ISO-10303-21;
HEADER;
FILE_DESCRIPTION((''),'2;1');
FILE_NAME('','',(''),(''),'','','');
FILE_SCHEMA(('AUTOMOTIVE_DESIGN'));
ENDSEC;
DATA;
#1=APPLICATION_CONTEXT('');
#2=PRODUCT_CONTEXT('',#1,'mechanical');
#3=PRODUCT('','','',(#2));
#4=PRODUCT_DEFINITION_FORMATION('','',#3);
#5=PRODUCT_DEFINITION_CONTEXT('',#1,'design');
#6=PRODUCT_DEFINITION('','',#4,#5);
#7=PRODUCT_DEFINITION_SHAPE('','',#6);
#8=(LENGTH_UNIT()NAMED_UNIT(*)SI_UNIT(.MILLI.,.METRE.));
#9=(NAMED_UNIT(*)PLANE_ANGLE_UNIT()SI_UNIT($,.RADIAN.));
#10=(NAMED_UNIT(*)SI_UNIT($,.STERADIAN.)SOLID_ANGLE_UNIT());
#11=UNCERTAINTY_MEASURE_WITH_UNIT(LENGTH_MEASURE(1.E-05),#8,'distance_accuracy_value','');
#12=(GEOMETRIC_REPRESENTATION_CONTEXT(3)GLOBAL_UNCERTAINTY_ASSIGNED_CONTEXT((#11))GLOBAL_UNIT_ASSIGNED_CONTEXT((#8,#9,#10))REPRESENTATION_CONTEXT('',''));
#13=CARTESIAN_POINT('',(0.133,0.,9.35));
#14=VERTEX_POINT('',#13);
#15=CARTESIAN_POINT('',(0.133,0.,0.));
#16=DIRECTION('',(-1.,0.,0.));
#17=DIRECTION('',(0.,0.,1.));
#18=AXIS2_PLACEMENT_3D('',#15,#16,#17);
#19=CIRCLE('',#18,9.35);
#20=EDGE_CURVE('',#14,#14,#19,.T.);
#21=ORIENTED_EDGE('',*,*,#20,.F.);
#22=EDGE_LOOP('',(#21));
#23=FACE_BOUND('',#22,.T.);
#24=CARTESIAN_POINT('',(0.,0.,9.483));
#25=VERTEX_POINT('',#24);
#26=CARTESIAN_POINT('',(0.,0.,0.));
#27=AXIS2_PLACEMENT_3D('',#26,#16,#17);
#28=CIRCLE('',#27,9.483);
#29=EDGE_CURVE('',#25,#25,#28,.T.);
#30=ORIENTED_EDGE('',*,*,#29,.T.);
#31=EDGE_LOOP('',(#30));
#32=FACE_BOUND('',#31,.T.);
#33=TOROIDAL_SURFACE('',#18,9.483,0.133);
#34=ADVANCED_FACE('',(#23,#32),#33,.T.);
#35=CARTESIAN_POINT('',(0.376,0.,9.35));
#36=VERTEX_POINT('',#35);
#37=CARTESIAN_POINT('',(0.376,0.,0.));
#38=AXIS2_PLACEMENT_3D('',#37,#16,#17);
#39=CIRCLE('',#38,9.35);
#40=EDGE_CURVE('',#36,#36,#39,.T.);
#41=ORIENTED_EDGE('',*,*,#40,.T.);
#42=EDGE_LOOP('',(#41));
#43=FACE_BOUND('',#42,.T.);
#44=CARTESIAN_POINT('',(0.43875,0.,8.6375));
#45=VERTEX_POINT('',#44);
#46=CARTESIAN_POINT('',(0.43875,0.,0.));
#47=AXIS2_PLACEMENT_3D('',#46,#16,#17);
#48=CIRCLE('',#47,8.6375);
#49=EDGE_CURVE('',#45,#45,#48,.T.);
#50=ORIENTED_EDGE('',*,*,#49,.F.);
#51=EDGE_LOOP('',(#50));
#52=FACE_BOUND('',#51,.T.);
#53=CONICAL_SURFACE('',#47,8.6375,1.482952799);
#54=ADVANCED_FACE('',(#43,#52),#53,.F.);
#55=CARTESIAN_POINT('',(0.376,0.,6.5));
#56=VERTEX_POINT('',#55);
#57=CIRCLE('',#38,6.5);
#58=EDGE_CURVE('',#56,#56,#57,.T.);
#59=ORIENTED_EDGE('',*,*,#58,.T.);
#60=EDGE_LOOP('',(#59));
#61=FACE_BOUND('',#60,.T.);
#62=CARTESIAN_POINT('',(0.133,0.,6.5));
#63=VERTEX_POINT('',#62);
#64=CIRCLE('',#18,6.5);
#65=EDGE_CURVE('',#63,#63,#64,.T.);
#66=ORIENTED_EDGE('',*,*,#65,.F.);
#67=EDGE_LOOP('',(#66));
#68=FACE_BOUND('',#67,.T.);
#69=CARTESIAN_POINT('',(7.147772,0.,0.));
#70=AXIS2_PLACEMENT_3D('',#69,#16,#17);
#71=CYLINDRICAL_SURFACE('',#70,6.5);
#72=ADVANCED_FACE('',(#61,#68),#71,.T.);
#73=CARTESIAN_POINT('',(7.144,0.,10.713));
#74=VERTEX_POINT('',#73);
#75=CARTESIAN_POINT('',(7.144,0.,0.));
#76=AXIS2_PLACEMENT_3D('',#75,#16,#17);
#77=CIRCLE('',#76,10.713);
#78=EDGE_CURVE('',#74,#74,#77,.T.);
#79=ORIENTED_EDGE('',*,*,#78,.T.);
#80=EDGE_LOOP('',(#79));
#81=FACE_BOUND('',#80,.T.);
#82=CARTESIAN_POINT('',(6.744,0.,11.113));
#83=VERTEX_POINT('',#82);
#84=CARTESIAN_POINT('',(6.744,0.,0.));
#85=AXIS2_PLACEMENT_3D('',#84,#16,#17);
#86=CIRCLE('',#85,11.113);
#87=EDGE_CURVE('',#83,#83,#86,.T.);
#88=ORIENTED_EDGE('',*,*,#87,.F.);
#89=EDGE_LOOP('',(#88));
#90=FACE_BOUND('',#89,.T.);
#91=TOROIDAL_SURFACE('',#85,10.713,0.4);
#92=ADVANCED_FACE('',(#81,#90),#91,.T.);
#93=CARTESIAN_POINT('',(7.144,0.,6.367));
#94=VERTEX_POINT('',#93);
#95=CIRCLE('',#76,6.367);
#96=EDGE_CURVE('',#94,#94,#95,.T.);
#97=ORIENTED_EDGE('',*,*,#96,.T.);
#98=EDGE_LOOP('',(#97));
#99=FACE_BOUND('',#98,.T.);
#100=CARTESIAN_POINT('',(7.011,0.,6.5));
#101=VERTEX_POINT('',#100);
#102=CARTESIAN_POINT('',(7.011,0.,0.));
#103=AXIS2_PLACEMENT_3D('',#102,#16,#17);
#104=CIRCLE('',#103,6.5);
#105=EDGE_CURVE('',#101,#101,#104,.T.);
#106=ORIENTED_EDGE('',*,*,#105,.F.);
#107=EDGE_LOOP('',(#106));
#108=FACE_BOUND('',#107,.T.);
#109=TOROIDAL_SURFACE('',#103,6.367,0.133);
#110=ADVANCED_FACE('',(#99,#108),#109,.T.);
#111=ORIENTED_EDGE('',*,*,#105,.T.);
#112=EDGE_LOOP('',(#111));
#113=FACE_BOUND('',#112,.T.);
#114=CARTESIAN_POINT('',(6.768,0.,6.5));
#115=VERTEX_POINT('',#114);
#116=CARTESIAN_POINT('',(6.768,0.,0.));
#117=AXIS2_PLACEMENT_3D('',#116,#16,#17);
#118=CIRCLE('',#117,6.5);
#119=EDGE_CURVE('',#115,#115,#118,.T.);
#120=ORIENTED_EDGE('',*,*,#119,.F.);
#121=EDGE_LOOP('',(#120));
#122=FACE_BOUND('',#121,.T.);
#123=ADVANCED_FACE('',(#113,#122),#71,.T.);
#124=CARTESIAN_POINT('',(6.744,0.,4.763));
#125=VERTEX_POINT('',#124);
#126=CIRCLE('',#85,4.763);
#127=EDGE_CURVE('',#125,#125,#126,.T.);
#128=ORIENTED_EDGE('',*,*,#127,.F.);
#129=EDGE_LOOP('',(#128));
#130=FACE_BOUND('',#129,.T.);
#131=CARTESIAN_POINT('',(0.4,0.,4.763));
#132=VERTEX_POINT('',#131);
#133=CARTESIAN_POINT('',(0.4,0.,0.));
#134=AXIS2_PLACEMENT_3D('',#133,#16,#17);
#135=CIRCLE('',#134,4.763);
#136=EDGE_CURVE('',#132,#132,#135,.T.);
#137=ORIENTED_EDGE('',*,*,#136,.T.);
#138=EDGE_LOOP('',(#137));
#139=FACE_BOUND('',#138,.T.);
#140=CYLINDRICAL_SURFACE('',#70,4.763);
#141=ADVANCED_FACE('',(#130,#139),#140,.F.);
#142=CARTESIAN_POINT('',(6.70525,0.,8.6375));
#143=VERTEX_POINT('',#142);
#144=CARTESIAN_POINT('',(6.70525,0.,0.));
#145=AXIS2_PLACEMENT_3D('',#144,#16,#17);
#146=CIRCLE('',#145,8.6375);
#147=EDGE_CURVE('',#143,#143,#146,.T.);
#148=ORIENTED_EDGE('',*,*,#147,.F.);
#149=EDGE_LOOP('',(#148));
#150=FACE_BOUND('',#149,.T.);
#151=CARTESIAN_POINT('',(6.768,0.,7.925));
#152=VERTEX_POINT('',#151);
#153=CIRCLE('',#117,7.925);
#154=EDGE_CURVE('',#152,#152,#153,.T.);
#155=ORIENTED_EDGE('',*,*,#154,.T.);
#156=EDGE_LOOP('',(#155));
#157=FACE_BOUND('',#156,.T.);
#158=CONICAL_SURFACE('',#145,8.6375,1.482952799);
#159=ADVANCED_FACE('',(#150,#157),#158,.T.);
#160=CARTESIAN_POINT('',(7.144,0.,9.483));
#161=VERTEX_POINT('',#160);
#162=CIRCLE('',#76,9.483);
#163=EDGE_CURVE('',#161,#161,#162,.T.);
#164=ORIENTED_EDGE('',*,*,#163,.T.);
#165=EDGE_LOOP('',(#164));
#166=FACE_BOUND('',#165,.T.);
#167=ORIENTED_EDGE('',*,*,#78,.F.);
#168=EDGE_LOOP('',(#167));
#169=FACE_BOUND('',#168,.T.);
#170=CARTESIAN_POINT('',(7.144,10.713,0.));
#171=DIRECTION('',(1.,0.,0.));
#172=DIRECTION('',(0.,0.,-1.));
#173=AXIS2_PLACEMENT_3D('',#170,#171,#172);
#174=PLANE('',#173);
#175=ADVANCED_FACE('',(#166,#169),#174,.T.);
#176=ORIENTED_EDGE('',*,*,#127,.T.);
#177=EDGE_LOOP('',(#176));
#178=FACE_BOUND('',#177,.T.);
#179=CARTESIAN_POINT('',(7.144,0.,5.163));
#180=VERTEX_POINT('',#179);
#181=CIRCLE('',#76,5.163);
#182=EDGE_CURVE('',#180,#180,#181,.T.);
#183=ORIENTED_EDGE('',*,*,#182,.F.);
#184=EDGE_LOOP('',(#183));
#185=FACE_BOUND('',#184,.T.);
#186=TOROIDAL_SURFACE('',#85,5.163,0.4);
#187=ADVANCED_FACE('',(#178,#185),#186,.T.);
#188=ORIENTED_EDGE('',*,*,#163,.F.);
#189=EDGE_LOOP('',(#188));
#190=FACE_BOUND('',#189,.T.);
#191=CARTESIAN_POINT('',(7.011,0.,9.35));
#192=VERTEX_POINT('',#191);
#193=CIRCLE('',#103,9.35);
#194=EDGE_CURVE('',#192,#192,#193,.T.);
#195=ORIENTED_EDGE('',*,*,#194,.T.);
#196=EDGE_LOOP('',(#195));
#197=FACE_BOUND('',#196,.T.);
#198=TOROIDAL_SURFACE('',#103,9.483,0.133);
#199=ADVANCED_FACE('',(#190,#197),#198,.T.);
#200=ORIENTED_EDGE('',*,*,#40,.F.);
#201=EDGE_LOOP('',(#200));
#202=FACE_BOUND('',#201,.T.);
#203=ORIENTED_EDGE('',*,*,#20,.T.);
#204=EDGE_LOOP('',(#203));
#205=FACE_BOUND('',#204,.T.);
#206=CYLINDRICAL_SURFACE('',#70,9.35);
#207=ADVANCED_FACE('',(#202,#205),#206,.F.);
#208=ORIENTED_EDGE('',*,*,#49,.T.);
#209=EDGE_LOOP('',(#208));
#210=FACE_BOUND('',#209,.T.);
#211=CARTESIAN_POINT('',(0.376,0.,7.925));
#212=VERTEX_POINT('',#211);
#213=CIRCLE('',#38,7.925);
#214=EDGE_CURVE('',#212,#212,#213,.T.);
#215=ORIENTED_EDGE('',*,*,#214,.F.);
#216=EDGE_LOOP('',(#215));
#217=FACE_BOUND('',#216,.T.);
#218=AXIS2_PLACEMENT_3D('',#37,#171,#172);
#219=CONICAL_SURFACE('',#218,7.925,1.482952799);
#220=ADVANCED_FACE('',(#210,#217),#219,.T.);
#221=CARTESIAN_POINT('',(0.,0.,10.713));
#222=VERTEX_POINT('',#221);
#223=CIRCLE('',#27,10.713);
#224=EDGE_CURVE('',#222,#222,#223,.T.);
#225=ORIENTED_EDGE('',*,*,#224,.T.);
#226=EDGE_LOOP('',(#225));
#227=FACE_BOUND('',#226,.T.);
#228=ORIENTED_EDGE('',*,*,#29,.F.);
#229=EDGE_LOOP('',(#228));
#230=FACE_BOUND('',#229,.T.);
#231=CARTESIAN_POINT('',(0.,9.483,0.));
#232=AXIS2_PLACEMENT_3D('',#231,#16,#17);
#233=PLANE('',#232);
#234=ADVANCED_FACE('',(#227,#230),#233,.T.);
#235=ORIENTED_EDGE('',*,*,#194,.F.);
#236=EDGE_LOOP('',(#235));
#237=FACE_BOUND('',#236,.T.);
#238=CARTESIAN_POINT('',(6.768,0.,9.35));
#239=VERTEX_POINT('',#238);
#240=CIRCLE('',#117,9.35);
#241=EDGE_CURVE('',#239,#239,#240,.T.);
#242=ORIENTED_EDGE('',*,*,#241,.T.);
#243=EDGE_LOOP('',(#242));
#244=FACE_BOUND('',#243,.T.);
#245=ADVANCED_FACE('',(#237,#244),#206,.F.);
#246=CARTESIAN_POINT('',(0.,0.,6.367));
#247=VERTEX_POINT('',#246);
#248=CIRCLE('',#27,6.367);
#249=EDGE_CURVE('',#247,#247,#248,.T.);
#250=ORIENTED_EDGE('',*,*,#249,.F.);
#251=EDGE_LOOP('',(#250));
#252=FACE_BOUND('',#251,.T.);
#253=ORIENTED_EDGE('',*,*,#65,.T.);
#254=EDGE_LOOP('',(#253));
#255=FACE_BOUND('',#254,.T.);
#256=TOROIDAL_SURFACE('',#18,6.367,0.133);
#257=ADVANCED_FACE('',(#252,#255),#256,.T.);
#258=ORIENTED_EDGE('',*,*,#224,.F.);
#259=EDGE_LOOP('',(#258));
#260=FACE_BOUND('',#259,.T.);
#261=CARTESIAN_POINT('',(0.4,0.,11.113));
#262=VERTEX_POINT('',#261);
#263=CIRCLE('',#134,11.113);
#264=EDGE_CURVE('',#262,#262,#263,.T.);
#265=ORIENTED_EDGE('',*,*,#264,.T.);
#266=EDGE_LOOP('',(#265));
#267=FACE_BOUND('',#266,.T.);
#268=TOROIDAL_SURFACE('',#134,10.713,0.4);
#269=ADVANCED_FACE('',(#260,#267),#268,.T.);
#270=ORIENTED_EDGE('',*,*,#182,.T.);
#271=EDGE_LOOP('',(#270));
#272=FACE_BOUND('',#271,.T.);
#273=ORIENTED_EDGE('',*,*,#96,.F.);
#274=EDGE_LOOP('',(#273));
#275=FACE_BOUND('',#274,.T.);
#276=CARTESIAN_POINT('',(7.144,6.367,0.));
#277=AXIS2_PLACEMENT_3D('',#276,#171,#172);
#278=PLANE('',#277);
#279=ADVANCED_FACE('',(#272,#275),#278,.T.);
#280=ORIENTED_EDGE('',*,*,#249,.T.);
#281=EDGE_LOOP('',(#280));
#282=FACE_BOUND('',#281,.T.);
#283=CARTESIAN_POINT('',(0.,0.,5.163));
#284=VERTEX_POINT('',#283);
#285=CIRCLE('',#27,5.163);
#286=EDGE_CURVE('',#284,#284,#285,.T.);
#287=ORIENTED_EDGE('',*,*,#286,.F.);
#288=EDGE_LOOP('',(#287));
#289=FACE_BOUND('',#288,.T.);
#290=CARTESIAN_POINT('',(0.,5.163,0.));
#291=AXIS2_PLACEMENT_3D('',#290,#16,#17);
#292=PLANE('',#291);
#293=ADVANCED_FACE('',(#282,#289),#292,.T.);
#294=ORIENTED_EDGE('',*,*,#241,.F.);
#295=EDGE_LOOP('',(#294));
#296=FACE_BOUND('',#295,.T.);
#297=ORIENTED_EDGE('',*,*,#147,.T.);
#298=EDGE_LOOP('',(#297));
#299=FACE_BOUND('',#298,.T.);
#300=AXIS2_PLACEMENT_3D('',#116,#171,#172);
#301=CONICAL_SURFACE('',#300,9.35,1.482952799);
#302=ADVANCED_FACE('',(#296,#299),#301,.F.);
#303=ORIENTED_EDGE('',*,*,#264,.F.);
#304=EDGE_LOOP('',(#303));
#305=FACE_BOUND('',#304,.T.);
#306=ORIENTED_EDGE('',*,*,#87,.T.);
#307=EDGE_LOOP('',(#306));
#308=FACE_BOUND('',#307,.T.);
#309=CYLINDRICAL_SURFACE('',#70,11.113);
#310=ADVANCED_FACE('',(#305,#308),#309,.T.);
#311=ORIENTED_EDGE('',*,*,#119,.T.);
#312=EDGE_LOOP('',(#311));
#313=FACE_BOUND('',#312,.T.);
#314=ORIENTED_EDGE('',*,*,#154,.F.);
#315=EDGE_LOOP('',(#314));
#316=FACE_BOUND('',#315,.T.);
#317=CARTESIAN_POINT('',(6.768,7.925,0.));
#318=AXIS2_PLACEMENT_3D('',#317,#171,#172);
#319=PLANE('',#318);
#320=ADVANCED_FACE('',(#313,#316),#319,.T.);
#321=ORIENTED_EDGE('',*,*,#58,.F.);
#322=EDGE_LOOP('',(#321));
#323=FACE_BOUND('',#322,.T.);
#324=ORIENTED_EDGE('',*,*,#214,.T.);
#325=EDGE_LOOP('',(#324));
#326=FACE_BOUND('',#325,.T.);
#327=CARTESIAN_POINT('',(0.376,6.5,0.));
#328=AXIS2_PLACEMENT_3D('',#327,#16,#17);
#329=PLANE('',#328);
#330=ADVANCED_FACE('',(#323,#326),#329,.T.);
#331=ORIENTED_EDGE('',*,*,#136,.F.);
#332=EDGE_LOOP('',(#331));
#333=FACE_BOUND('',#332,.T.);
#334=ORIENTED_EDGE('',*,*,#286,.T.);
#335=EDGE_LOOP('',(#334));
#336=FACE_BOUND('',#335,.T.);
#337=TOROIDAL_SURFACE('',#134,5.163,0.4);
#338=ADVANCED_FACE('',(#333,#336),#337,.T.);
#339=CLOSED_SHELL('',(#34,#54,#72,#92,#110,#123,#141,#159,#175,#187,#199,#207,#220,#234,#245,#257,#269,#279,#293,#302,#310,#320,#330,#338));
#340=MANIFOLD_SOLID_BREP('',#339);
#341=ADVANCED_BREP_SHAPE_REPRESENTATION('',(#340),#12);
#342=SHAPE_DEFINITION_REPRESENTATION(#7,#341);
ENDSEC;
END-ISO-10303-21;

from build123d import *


with BuildPart() as part:
    # Sketch1 → Revolve1 (revolve)
    with BuildSketch(Plane(origin=(0, 0, 0), x_dir=(-1, 0, 0), z_dir=(0, 0, -1))):
        with BuildLine():
            Line((-6.744, 4.763), (-0.4, 4.763))
            ThreePointArc((-0.4, 4.763), (-0.117157288, 4.880157288), (0, 5.163))
            Line((0, 5.163), (0, 6.367))
            ThreePointArc((0, 6.367), (-0.038954798, 6.461045202), (-0.133, 6.5))
            Line((-0.133, 6.5), (-0.376, 6.5))
            Line((-0.376, 6.5), (-0.376, 7.925))
            Line((-0.376, 7.925), (-0.43875, 8.6375))
            Line((-0.43875, 8.6375), (-0.376, 9.35))
            Line((-0.376, 9.35), (-0.133, 9.35))
            ThreePointArc((-0.133, 9.35), (-0.038954798, 9.388954798), (0, 9.483))
            Line((0, 9.483), (0, 10.713))
            ThreePointArc((0, 10.713), (-0.117157288, 10.995842712), (-0.4, 11.113))
            Line((-0.4, 11.113), (-6.744, 11.113))
            ThreePointArc((-6.744, 11.113), (-7.026842712, 10.995842712), (-7.144, 10.713))
            Line((-7.144, 10.713), (-7.144, 9.483))
            ThreePointArc((-7.144, 9.483), (-7.105045202, 9.388954798), (-7.011, 9.35))
            Line((-7.011, 9.35), (-6.768, 9.35))
            Line((-6.768, 9.35), (-6.70525, 8.6375))
            Line((-6.70525, 8.6375), (-6.768, 7.925))
            Line((-6.768, 7.925), (-6.768, 6.5))
            Line((-6.768, 6.5), (-7.011, 6.5))
            ThreePointArc((-7.011, 6.5), (-7.105045202, 6.461045202), (-7.144, 6.367))
            Line((-7.144, 6.367), (-7.144, 5.163))
            ThreePointArc((-7.144, 5.163), (-7.026842712, 4.880157288), (-6.744, 4.763))
        make_face()
    revolve(axis=Axis((7.147771597, 0, 0), (-1, 0, 0)))


solid = part.part
